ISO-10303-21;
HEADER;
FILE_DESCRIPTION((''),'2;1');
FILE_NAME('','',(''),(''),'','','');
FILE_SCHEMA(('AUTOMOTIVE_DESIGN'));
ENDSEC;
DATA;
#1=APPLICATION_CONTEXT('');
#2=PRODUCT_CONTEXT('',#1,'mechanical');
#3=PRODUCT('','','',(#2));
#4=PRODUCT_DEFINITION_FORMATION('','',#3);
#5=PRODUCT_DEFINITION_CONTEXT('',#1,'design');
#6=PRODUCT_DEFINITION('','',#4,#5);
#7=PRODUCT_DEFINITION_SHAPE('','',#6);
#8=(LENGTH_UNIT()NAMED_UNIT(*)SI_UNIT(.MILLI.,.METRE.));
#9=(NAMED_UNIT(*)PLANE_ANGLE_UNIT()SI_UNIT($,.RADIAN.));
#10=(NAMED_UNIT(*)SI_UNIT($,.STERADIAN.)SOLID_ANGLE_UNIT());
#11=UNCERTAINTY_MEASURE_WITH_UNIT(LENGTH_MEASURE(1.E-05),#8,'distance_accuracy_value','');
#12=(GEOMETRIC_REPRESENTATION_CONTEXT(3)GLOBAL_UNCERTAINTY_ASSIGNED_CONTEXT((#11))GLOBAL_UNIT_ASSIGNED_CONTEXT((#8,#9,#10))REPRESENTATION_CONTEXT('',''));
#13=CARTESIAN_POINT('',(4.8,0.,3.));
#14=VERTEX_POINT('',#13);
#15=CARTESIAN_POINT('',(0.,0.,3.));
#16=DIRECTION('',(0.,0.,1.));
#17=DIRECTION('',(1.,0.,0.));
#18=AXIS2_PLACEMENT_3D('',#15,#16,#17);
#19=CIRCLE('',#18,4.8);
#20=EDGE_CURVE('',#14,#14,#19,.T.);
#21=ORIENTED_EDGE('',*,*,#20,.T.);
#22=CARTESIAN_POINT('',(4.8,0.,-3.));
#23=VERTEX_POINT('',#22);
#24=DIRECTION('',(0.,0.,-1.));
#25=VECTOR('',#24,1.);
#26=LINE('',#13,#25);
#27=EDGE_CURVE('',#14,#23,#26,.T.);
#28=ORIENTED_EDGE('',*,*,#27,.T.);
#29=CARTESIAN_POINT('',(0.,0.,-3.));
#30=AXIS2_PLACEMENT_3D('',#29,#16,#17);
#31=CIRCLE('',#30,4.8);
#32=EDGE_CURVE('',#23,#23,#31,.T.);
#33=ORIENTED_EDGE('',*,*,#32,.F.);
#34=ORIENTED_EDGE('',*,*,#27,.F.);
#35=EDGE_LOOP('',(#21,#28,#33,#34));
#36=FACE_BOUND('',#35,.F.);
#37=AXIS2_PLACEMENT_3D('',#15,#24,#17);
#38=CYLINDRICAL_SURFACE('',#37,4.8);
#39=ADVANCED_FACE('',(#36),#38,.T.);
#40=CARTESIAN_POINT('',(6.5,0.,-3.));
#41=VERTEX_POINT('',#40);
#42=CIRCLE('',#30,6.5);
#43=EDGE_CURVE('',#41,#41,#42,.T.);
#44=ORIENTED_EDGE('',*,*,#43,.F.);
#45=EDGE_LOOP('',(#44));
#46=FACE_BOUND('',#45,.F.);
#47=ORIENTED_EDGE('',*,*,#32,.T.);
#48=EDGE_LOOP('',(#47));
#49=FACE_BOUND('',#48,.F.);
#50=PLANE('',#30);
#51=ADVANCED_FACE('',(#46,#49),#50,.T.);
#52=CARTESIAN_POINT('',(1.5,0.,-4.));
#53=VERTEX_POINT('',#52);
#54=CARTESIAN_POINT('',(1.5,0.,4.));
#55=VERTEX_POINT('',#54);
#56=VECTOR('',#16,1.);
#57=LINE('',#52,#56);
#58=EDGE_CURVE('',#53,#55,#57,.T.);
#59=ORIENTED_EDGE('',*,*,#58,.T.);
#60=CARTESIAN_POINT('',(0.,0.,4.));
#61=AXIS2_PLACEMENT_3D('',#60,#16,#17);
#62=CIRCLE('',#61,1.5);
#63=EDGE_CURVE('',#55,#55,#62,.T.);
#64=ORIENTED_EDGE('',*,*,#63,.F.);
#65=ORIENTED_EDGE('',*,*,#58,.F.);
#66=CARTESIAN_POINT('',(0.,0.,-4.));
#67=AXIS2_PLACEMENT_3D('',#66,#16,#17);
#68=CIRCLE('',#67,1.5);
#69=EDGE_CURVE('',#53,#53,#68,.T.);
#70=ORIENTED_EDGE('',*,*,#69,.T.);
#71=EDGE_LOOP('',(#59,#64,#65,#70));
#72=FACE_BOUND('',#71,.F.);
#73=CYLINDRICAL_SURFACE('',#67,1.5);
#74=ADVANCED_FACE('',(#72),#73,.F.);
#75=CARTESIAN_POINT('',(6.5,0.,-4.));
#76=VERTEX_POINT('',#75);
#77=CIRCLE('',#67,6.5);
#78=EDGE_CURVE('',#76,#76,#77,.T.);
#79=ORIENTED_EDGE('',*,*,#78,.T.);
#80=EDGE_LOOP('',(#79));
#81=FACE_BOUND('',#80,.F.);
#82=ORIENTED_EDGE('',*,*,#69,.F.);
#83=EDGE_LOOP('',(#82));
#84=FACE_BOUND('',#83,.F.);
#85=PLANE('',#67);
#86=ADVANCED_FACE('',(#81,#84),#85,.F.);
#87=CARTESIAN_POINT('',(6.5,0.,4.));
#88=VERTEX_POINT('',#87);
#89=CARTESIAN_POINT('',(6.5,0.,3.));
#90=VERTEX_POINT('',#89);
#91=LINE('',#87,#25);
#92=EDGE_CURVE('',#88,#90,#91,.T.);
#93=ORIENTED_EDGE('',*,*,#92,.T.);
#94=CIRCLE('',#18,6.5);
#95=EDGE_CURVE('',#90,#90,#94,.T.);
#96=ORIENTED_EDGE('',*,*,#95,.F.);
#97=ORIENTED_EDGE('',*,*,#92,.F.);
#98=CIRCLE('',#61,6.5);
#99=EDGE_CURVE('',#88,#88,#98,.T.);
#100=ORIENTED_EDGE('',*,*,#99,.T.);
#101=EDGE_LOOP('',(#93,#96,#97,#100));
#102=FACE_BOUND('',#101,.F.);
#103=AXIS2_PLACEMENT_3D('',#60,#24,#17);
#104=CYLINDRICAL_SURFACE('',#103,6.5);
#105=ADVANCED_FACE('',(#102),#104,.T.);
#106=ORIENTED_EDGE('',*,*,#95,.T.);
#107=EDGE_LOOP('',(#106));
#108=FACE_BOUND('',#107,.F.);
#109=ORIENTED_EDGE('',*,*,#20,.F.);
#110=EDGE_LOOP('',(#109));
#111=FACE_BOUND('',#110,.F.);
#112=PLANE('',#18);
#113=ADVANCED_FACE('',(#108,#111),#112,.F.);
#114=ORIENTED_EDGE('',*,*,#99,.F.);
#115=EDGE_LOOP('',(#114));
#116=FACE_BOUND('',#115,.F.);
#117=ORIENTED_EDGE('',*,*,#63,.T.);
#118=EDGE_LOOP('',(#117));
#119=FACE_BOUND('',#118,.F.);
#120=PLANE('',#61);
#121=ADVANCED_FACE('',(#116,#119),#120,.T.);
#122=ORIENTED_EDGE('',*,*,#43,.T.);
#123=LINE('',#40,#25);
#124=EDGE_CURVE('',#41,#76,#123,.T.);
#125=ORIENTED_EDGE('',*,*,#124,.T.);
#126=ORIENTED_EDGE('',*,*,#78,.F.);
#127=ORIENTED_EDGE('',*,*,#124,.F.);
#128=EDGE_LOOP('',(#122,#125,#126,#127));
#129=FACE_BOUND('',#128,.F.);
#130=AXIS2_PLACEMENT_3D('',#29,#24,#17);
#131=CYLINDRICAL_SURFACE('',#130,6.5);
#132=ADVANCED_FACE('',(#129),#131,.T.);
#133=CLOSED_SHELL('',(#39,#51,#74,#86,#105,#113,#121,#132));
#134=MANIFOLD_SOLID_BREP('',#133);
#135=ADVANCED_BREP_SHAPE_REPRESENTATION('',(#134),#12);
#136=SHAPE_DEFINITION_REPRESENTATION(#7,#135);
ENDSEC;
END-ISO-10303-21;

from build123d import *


with BuildPart() as part:
    # Sketch → Revolution (revolve)
    with BuildSketch(Plane.XZ):
        Polygon((1.5, -4), (1.5, 4), (6.5, 4), (6.5, 3), (4.8, 3), (4.8, -3), (6.5, -3), (6.5, -4), align=None)
    revolve(axis=Axis((0, 0, 0), (0, 0, 1)))


solid = part.part
